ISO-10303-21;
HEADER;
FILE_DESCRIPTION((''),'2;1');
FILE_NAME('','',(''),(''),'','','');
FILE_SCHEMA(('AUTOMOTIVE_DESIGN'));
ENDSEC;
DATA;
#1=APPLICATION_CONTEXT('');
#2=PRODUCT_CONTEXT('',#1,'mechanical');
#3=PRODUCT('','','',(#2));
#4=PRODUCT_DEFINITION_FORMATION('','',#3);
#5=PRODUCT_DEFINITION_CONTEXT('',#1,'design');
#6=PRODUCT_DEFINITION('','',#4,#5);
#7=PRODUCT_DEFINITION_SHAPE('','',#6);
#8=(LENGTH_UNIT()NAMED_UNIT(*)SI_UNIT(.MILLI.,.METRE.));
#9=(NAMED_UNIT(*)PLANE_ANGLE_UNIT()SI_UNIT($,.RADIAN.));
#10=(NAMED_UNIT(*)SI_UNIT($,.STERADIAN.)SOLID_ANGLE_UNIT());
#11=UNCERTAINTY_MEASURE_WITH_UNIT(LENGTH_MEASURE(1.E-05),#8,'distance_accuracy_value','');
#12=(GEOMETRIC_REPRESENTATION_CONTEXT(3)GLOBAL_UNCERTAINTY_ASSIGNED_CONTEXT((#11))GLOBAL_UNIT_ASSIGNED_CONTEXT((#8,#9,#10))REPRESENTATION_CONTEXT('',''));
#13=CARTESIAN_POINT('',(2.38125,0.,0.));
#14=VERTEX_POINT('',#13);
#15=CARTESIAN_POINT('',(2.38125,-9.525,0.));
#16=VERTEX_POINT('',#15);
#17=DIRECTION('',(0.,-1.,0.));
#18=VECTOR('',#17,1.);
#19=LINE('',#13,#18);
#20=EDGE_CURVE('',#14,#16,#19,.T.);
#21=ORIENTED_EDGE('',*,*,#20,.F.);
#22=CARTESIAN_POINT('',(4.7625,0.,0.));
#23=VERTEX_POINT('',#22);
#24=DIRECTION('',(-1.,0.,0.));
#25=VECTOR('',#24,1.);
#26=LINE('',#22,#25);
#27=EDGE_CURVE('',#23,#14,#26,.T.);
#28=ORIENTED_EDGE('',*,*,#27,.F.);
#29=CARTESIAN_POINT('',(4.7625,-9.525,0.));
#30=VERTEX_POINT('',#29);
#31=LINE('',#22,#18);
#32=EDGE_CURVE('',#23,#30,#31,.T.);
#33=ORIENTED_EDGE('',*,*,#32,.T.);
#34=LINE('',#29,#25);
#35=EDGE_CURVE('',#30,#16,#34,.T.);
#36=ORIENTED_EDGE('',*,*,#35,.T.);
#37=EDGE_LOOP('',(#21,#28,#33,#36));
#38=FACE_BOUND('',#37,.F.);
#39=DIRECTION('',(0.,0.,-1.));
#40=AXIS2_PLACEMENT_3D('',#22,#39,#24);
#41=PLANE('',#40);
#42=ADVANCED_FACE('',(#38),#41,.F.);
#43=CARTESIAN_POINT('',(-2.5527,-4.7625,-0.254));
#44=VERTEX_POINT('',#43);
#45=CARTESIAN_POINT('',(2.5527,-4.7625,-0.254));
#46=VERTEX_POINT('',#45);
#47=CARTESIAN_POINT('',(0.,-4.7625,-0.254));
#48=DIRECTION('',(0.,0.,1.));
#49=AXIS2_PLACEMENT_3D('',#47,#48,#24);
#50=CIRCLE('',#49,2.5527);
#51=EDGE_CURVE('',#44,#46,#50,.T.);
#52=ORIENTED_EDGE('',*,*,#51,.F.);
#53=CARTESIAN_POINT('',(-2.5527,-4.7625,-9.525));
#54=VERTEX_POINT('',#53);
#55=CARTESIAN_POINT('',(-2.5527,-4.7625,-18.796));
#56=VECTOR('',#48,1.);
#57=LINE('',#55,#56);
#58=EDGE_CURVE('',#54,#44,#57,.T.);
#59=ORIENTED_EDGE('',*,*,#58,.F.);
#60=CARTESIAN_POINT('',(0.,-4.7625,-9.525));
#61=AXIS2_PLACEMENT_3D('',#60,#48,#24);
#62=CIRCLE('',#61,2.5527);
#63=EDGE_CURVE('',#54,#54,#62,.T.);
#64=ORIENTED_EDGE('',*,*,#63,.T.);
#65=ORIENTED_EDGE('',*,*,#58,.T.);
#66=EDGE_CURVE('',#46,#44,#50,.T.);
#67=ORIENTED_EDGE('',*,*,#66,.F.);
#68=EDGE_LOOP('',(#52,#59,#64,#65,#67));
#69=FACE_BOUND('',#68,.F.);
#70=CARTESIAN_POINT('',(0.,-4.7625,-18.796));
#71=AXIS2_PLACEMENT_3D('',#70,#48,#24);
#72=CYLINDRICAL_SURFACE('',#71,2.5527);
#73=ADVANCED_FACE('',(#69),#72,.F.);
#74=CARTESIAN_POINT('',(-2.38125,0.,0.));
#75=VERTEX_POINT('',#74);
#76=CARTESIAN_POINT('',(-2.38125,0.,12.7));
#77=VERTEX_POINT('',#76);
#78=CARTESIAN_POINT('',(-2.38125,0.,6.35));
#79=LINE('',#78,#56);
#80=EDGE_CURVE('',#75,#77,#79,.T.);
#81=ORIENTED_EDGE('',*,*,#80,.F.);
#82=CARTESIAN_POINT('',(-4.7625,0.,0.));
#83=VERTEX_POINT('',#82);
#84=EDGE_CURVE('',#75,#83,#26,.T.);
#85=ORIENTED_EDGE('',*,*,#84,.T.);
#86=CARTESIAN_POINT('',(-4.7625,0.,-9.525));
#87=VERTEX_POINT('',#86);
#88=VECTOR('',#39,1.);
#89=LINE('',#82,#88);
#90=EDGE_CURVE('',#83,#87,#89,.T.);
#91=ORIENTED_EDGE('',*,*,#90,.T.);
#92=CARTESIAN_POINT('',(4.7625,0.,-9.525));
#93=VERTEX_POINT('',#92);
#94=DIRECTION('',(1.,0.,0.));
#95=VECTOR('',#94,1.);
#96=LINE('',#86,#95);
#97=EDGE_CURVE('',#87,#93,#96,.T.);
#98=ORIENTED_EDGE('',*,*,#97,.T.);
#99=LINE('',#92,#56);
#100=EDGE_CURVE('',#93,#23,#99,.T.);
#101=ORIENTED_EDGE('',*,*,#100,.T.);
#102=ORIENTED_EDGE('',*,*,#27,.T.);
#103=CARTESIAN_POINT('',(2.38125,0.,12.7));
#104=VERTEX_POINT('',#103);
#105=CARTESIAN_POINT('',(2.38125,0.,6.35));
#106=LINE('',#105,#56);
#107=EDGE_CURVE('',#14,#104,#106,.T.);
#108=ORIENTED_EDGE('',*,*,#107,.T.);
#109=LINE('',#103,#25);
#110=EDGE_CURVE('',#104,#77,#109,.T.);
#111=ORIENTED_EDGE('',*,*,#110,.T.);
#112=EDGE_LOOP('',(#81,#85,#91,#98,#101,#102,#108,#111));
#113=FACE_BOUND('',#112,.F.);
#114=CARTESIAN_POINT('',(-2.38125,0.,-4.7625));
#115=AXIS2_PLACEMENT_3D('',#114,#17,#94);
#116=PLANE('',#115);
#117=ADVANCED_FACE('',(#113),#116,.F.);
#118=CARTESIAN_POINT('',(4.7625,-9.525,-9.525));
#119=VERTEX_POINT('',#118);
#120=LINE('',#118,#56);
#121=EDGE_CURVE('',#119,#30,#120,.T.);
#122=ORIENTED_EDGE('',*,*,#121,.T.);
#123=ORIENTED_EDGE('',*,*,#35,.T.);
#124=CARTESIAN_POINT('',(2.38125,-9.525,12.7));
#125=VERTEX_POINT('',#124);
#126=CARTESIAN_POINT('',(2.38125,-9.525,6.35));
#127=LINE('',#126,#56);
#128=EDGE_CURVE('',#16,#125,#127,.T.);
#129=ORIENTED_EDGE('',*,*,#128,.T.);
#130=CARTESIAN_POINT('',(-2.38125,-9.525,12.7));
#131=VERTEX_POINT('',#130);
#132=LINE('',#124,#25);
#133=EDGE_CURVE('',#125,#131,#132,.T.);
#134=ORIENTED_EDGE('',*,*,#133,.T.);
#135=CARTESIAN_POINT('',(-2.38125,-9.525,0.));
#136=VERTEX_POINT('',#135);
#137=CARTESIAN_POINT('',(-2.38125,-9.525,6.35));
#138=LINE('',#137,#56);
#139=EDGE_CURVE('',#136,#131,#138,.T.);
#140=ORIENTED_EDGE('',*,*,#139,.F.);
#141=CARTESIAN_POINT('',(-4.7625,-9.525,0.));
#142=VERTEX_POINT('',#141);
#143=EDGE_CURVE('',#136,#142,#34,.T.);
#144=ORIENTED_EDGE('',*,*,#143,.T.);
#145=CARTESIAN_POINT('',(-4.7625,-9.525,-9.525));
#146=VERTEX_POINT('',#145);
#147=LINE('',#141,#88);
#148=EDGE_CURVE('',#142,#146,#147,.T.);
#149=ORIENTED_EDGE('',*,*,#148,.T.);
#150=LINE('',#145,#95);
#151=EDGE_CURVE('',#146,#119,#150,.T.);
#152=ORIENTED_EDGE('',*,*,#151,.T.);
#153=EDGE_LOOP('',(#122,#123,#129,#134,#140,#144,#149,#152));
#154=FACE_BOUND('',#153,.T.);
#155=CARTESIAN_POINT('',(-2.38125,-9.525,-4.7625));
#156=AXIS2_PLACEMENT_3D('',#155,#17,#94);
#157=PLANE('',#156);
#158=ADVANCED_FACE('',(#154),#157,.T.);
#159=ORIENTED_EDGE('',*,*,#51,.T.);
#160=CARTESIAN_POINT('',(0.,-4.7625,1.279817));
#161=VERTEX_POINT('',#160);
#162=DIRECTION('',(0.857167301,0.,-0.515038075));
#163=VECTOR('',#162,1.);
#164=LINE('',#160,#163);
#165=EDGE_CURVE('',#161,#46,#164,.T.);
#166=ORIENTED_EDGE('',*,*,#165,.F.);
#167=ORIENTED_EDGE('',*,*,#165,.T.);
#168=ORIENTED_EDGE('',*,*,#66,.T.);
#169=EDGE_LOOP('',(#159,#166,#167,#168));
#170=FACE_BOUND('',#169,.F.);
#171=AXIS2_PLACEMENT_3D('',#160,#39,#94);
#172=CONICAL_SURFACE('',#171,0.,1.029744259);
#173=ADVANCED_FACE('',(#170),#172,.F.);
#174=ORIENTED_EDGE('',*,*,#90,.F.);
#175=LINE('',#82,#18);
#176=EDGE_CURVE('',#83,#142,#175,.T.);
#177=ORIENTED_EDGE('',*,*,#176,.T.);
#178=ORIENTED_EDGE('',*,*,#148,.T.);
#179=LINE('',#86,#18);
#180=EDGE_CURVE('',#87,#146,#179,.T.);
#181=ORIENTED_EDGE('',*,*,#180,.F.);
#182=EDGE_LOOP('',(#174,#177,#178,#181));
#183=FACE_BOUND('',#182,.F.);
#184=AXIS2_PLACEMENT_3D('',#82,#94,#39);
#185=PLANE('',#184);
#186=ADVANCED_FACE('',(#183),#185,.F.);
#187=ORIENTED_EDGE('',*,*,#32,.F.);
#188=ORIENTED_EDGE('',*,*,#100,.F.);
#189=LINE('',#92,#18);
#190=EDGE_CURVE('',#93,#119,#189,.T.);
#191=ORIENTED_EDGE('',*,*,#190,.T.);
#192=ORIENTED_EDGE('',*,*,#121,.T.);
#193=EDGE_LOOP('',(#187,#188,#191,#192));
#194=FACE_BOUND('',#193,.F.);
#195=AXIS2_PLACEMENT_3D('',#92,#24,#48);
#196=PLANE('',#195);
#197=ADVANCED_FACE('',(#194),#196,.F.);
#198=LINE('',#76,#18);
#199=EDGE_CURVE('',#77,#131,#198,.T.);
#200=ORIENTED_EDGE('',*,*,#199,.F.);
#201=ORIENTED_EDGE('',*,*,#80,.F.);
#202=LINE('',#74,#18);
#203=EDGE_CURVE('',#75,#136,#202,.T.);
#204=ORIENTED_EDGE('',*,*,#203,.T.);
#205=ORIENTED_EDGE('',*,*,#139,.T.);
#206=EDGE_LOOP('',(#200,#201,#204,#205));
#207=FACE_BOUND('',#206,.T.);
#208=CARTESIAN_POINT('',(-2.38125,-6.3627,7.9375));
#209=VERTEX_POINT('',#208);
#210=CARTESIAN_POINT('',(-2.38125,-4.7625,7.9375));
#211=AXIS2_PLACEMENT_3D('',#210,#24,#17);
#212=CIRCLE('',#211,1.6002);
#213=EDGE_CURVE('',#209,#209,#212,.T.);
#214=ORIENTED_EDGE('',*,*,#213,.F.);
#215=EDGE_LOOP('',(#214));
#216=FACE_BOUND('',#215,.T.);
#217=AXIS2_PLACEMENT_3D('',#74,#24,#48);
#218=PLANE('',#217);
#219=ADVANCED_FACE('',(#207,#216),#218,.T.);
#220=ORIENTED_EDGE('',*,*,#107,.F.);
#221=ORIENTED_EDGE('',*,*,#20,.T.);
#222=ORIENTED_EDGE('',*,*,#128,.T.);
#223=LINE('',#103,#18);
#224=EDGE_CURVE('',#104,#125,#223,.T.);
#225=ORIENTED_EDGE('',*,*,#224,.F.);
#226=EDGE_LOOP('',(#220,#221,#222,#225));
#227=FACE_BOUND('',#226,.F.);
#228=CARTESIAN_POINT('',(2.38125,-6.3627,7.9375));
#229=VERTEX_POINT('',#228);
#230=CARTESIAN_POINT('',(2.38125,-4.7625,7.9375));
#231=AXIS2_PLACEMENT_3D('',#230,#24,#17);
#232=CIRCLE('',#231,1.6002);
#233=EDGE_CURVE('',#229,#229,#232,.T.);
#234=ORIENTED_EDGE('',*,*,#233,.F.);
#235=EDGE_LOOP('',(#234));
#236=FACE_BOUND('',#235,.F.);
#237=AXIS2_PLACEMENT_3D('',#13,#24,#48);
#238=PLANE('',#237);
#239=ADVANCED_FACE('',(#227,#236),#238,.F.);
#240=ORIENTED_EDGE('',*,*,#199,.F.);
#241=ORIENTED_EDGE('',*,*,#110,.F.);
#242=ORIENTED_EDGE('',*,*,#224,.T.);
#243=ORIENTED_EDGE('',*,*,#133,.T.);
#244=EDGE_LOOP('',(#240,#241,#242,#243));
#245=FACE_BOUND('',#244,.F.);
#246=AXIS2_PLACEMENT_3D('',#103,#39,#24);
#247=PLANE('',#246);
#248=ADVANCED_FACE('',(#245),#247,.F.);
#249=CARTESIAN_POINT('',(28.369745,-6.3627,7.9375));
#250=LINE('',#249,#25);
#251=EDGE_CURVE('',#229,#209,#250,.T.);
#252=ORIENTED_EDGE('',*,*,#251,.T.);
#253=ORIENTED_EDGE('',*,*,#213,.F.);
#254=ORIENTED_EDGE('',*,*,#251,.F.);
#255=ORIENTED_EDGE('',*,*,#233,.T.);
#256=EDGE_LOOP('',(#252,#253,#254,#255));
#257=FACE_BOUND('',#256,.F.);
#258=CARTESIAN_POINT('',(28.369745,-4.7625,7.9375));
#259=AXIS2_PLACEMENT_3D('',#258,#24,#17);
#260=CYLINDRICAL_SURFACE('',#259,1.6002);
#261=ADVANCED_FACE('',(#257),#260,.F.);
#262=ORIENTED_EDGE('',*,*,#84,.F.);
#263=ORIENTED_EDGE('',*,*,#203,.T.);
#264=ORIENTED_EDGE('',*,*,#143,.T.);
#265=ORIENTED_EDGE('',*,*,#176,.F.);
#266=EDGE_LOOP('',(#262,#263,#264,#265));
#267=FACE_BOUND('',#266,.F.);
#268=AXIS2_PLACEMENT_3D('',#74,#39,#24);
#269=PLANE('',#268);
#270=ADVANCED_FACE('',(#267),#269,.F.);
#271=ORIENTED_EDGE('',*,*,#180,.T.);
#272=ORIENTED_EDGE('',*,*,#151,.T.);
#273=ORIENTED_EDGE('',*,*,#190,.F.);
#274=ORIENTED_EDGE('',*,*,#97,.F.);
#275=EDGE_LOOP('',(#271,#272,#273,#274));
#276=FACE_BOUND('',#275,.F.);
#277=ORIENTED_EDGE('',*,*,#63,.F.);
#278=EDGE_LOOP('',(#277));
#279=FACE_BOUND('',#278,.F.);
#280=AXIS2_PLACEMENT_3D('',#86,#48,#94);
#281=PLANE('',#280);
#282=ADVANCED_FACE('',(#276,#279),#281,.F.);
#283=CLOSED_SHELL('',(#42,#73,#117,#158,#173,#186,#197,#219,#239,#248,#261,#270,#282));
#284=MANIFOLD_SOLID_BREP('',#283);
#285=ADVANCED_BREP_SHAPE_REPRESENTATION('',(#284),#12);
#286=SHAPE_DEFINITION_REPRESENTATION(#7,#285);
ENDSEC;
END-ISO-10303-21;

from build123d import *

# Parameters (mm, degrees)
F0_W     = 2.38125
F0_H     = 12.7
F1_DEPTH = 9.525
F3_D     = 3.2004
F5_D     = 5.1054
F5_DEPTH = 9.271
F5_TIP   = 1.5338169022


with BuildPart() as f1:
    # F0 (on Front) → F1 (new body)
    with BuildSketch(Plane.XZ):
        Polygon((0, -9.525), (0, 0), (-2.38125, 0), (-4.7625, 0), (-4.7625, -9.525), align=None)
        Polygon((2.38125, 0), (0, 0), (0, -9.525), (4.7625, -9.525), (4.7625, 0), align=None)
        with Locations((1.190625, 6.35)):
            Rectangle(F0_W, F0_H)
        with Locations((-1.190625, 6.35)):
            Rectangle(F0_W, F0_H)
    extrude(amount=F1_DEPTH)

    # F3 (through all)
    with Locations(Plane.YZ.offset(2.38125)):
        with Locations((-4.7625, 7.9375)):
            Hole(F3_D / 2)

    # F5
    with Locations(Plane(origin=(0, 0, -9.525), x_dir=(1, 0, 0), z_dir=(0, 0, -1))):
        with Locations((0, 4.7625)):
            Hole(F5_D / 2, depth=F5_DEPTH)
            with Locations((0, 0, -(F5_DEPTH + F5_TIP / 2))):  # 118° drill point
                Cone(0, F5_D / 2, F5_TIP, mode=Mode.SUBTRACT)


solid = f1.part
